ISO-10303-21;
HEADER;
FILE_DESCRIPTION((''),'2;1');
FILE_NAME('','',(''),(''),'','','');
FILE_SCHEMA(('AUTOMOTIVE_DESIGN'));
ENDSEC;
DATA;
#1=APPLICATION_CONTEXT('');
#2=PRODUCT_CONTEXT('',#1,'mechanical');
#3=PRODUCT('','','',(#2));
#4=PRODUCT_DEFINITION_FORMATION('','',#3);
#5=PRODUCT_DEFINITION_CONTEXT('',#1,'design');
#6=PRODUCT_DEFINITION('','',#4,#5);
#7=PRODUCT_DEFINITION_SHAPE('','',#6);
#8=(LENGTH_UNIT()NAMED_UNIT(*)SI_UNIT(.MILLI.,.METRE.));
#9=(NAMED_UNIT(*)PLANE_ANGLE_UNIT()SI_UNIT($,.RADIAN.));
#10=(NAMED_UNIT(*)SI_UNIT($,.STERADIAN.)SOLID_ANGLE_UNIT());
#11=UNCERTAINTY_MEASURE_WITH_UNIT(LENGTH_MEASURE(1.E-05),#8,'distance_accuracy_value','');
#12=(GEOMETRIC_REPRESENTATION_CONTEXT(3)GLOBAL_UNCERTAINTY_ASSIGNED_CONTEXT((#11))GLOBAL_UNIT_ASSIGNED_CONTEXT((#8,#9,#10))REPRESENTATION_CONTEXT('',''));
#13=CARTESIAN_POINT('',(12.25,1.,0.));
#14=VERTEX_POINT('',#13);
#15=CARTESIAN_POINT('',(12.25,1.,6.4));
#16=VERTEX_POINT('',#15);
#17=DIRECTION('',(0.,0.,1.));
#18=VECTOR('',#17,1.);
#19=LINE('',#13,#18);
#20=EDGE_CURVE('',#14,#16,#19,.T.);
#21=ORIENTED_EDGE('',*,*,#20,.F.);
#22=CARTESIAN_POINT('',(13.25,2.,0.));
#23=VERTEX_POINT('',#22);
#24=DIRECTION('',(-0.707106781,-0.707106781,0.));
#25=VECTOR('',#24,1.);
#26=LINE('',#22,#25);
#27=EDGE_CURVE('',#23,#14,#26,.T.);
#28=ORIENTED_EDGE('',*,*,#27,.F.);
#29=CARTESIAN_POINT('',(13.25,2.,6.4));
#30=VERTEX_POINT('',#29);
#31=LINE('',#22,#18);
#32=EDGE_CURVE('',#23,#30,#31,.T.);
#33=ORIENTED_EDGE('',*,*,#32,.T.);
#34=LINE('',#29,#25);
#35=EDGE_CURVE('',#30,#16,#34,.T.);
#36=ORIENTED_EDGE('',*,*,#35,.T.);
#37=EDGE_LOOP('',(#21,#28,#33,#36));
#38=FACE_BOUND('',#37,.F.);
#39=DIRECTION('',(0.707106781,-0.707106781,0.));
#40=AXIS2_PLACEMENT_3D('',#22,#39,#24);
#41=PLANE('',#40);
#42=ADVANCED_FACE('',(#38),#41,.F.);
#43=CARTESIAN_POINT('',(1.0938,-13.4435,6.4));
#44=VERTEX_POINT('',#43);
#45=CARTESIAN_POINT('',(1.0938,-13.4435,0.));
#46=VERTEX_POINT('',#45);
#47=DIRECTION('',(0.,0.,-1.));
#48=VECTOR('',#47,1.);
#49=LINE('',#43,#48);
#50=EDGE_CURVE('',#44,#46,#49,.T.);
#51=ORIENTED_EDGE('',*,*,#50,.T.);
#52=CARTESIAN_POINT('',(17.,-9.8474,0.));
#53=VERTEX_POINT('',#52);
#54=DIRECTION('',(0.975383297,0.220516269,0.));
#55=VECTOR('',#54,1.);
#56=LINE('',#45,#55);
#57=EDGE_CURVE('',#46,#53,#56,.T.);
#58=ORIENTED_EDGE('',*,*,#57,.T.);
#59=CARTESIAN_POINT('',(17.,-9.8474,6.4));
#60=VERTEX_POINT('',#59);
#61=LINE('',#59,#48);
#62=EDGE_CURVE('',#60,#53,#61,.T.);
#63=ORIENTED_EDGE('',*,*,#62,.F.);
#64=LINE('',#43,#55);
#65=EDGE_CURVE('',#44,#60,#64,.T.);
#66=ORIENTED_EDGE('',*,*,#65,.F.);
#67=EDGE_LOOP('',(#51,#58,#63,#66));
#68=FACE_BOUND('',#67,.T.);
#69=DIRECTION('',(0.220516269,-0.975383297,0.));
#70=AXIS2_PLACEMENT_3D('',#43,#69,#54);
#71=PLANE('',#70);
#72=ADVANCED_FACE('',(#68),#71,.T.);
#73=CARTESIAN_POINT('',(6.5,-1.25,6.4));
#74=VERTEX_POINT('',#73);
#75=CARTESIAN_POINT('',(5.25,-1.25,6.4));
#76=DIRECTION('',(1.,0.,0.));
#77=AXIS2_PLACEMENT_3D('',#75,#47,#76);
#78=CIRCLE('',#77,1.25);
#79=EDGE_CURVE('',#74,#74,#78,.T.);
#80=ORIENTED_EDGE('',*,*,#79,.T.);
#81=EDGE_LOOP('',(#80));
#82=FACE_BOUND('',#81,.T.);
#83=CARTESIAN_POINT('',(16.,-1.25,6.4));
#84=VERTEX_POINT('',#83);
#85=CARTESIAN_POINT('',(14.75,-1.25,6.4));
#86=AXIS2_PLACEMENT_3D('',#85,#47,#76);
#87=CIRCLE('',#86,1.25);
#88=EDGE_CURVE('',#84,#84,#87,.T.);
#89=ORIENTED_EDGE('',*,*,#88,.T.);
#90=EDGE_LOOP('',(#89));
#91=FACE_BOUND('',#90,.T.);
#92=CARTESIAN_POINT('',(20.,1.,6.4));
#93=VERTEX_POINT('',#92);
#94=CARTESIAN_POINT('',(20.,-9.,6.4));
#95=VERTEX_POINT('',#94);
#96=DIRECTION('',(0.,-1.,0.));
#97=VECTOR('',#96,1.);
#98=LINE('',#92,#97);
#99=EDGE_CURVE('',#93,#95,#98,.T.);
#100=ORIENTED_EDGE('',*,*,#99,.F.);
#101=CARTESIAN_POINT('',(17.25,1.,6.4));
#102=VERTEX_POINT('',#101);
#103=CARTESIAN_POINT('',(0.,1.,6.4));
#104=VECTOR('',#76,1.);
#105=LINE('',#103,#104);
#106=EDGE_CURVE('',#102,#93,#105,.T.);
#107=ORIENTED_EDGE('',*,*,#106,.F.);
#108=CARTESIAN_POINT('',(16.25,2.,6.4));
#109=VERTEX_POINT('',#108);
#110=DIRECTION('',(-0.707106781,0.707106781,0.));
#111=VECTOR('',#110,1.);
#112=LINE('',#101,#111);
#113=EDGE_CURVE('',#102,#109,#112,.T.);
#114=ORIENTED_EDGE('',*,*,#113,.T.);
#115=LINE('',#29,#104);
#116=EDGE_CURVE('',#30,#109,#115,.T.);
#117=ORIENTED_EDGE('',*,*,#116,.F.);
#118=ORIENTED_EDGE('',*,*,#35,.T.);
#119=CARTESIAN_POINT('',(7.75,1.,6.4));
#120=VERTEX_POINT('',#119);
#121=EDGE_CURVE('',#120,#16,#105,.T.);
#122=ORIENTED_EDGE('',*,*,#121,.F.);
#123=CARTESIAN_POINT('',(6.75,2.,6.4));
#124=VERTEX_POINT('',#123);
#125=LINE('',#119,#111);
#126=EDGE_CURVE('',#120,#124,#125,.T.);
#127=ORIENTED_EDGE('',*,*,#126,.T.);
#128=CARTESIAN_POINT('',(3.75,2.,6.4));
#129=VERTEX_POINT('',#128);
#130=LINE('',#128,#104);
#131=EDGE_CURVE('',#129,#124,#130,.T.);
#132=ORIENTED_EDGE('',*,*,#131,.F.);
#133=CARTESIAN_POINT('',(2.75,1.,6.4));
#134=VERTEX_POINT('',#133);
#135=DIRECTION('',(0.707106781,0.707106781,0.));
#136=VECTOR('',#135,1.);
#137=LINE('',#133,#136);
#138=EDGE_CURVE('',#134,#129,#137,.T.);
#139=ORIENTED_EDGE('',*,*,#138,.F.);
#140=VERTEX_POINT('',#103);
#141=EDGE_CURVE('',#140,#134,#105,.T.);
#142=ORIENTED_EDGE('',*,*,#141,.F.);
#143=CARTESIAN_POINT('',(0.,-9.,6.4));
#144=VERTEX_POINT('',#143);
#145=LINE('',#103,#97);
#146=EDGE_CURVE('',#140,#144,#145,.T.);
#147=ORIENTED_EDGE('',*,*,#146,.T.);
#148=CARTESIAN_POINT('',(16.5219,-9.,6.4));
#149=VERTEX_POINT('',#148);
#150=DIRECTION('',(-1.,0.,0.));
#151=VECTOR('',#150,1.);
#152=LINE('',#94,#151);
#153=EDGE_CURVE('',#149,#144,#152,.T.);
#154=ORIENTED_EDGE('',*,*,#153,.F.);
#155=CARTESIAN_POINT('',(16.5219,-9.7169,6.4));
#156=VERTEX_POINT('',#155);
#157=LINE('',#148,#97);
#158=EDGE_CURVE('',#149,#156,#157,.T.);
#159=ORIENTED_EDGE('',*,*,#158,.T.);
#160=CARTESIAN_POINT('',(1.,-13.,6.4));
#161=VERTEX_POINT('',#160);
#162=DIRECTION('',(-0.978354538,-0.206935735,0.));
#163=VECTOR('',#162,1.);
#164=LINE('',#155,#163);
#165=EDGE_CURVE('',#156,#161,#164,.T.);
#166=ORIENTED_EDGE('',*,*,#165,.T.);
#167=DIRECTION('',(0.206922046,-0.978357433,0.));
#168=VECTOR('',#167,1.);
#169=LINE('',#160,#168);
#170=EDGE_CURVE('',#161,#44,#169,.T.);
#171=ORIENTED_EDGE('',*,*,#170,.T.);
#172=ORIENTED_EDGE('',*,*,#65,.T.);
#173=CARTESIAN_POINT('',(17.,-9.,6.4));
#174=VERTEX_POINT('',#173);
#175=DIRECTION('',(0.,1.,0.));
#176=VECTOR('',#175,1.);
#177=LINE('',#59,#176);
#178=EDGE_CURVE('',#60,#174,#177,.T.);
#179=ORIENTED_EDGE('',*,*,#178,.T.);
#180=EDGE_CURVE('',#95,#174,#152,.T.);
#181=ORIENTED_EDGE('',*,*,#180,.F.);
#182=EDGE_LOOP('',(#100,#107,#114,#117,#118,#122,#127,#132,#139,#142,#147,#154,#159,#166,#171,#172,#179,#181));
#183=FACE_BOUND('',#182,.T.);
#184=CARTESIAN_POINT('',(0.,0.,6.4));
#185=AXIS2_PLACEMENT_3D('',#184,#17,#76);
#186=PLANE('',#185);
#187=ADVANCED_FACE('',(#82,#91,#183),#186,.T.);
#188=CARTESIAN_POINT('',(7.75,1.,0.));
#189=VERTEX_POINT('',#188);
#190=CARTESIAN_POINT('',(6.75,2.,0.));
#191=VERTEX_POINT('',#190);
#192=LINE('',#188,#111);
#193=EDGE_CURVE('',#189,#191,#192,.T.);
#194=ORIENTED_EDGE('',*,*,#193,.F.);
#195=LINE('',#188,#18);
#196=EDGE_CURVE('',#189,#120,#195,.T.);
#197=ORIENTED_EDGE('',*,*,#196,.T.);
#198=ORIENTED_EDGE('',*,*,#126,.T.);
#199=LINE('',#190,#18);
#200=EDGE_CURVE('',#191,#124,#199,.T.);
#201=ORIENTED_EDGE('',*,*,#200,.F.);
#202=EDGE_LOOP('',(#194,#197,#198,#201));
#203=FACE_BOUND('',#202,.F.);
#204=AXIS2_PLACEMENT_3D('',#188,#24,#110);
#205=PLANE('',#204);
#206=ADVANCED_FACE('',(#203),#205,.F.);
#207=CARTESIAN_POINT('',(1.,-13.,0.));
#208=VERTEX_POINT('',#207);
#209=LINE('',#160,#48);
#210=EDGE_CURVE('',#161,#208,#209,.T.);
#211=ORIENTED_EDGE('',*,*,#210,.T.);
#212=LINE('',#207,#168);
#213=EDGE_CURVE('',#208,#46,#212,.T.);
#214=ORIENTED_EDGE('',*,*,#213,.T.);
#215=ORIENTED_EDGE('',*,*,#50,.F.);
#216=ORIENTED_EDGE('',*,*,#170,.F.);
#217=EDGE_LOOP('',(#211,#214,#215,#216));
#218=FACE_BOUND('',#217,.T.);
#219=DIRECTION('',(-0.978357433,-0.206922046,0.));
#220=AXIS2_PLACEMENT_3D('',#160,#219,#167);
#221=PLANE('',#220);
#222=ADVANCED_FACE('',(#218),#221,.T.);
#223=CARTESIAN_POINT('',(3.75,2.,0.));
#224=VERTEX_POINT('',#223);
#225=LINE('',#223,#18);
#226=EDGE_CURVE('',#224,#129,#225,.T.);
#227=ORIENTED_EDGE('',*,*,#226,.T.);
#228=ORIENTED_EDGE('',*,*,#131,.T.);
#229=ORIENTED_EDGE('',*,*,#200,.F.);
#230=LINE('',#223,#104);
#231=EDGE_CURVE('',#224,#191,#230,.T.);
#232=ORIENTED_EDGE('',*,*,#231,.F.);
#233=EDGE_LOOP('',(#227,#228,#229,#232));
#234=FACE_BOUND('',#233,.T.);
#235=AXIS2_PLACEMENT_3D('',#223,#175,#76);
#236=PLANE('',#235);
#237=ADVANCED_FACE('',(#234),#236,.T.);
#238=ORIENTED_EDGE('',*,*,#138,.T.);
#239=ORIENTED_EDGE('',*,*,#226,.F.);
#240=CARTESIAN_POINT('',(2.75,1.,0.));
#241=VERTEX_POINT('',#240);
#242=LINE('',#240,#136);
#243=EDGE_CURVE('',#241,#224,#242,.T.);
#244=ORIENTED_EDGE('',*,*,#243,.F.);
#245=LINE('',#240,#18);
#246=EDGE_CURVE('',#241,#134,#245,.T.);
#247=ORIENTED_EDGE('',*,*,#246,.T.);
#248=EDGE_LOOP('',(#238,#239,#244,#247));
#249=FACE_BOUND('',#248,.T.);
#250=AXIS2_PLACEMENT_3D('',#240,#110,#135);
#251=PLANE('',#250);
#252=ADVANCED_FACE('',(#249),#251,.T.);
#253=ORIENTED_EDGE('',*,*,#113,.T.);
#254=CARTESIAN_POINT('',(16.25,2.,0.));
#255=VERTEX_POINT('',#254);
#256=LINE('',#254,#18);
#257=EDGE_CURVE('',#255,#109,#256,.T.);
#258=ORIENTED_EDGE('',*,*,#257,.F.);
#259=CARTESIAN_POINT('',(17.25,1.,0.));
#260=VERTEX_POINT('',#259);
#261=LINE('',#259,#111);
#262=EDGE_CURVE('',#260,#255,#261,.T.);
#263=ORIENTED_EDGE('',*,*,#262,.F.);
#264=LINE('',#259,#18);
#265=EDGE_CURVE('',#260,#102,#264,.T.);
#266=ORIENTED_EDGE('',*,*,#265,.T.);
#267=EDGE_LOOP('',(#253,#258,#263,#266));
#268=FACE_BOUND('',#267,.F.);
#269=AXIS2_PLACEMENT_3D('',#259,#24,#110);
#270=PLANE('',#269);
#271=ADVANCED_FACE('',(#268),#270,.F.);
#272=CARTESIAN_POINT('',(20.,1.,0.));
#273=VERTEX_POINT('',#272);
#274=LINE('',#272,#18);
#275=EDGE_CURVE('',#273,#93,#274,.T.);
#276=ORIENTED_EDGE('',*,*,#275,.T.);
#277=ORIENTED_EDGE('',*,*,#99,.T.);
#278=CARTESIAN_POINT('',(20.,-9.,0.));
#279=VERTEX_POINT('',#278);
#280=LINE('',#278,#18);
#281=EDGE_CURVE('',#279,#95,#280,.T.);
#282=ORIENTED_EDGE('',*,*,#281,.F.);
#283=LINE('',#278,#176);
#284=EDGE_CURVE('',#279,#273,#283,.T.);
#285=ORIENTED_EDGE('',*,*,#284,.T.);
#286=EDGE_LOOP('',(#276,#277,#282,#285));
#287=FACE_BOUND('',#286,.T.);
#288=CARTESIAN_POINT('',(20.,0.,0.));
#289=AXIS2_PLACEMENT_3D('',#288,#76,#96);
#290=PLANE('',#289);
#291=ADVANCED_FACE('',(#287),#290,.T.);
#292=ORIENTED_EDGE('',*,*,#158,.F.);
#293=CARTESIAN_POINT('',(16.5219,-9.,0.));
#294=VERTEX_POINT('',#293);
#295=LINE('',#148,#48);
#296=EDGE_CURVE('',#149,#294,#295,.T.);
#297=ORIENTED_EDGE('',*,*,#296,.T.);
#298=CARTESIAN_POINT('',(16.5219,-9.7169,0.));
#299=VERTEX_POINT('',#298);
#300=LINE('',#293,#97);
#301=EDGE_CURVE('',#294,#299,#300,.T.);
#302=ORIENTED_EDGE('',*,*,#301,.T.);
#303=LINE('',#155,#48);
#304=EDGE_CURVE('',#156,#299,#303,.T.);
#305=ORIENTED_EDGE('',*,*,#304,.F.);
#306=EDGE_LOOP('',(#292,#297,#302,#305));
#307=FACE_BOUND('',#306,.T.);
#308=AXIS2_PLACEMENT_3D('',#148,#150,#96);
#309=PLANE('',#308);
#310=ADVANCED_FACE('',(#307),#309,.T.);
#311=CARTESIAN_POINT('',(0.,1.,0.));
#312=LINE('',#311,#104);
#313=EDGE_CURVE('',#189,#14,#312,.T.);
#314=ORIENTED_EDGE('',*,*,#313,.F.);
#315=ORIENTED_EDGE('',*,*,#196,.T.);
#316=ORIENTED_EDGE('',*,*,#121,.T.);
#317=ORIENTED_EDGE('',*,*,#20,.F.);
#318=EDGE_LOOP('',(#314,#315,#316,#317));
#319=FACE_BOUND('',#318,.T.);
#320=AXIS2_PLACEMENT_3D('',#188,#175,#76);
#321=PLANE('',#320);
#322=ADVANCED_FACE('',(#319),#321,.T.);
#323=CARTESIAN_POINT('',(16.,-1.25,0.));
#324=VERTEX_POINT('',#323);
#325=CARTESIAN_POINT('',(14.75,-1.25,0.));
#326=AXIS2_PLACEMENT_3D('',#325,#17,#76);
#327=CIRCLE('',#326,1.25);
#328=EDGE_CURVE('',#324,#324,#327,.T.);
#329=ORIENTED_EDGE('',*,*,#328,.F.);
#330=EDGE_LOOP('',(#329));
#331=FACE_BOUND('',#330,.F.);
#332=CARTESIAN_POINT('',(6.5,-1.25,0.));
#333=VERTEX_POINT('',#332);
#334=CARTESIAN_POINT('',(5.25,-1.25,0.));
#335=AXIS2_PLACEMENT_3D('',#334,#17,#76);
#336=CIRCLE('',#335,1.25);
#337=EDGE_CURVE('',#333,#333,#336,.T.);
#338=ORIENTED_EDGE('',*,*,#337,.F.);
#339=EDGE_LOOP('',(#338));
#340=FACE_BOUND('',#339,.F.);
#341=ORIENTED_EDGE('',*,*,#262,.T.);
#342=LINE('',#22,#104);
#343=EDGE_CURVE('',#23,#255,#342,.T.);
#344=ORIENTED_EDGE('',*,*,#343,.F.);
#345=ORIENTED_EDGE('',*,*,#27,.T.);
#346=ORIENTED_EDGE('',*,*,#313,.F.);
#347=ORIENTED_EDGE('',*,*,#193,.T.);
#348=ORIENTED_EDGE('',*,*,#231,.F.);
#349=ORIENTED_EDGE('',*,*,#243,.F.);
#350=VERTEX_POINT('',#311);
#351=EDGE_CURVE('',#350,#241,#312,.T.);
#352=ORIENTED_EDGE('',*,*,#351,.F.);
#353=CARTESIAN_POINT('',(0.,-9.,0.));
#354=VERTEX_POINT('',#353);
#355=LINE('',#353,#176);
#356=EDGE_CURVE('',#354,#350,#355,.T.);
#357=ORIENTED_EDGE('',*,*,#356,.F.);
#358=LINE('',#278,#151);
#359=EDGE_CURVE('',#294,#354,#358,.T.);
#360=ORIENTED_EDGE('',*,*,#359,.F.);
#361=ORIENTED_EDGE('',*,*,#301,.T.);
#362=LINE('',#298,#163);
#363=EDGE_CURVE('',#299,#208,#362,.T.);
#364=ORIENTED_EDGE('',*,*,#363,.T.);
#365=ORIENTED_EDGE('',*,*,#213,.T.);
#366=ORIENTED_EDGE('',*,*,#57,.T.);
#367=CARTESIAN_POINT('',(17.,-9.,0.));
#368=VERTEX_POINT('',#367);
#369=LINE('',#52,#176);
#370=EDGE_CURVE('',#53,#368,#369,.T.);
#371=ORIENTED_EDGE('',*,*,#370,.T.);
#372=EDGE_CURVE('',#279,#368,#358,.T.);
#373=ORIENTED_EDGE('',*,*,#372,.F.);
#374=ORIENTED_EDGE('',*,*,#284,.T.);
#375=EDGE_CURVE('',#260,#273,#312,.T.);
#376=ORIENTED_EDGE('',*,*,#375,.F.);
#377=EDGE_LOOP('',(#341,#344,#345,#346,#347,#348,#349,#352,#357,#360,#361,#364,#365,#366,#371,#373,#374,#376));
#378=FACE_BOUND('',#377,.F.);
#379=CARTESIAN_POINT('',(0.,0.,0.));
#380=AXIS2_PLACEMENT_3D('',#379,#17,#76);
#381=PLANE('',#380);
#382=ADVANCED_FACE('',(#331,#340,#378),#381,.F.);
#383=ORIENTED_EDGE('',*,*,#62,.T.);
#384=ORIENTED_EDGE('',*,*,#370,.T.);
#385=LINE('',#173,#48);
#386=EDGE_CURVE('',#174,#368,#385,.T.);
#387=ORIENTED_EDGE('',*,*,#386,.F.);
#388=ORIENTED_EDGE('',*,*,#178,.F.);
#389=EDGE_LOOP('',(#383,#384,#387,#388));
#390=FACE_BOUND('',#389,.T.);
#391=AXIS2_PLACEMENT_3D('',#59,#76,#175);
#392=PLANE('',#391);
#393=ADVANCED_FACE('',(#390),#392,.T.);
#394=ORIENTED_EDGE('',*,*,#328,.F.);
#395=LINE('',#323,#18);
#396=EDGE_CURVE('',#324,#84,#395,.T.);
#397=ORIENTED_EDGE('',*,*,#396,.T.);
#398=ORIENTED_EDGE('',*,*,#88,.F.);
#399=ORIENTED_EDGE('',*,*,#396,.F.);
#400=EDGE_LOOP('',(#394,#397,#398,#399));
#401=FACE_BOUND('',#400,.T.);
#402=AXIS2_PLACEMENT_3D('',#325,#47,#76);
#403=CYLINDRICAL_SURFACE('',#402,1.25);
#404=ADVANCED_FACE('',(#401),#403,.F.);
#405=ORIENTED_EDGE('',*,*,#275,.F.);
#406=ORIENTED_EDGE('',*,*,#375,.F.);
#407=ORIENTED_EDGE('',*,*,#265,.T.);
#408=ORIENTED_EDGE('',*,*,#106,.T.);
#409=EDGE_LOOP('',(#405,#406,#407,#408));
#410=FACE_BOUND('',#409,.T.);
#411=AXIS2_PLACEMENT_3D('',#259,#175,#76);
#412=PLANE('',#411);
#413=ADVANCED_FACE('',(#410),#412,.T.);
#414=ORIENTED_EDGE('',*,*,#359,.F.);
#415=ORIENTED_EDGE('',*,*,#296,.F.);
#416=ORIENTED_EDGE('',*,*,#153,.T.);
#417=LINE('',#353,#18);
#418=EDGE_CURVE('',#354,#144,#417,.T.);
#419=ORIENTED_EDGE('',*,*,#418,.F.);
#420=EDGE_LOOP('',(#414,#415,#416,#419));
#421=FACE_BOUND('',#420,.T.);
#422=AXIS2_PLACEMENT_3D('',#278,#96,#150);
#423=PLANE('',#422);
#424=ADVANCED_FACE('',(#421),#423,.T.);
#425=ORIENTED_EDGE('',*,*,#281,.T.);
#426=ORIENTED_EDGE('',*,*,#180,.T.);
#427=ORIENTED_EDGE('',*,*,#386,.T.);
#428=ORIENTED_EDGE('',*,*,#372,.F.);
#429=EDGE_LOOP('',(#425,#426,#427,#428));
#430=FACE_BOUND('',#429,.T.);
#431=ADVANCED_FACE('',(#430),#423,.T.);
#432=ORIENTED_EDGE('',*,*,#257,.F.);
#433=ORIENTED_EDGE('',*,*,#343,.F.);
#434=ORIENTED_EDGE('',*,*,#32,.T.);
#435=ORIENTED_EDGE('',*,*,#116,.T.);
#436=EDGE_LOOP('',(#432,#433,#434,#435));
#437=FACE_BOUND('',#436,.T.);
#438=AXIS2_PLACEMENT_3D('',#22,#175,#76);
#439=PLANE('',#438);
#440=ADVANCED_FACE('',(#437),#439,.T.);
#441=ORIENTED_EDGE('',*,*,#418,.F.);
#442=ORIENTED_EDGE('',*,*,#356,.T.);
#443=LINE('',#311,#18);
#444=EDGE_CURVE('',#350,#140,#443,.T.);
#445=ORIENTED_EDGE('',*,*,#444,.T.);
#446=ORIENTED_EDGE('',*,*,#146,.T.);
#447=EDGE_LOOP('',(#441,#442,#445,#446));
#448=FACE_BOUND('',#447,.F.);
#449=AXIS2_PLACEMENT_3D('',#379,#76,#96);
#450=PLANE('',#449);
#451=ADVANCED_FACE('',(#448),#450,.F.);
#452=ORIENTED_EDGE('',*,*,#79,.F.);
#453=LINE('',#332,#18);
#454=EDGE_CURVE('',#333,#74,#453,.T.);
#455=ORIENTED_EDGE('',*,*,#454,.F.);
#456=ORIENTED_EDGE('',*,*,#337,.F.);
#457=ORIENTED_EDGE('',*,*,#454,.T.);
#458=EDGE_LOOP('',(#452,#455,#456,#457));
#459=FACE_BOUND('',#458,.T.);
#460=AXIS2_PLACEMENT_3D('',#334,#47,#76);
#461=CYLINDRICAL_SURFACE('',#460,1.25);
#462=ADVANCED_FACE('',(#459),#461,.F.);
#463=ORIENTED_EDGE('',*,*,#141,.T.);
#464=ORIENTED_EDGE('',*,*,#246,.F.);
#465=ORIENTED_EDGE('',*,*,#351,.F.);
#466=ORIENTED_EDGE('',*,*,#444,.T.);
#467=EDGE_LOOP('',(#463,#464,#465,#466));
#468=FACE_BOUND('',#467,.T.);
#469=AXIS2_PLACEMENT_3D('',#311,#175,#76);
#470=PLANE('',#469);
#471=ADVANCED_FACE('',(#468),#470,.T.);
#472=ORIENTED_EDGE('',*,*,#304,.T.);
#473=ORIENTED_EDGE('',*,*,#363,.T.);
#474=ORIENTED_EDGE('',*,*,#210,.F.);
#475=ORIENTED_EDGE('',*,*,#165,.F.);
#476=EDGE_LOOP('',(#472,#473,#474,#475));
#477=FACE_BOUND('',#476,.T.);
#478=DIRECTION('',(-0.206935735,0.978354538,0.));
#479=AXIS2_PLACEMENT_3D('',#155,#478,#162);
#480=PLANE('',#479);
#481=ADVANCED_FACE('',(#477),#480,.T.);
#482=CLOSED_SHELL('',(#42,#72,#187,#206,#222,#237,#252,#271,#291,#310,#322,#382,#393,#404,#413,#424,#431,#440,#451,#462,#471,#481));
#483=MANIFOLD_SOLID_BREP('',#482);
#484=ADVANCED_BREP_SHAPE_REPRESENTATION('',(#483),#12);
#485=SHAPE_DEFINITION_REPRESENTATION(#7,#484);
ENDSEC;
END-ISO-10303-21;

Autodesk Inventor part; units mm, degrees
ref_plane "YZ Plane" through (0, 0, 0) normal (1, 0, 0) x (0, 1, 0)
ref_plane "XZ Plane" through (0, 0, 0) normal (0, 1, 0) x (-1, 0, 0)
ref_plane "XY Plane" through (0, 0, 0) normal (0, 0, 1) x (1, 0, 0)
sketch "Sketch1" plane through (0, 0, 0) normal (0, 0, 1) x (1, 0, 0)
  line L0 (13.5, -2.5) -> (13.5, 0) projected
  line L1 (12, 0) -> (13.5, 0) projected
  line L2 (12, 0) -> (12, -2) projected
  arc A0 (8, -2) -> (12, -2) centre (10, -2) ccw projected
  line L3 (8, -2) -> (8, 0) projected
  line L4 (6.5, 0) -> (8, 0) projected
  line L5 (6.5, 0) -> (6.5, -2.5) projected
  line L6 (6.5, -2.5) -> (4, -2.5) projected
  line L7 (4, -2.5) -> (4, 0) projected
  line L8 (0, 0) -> (4, 0) projected
  line L9 (0, 0) -> (0, -8) projected
  line L10 (20, -8) -> (0, -8) projected
  line L11 (20, 0) -> (20, -8) projected
  line L12 (16, 0) -> (20, 0) projected
  line L13 (16, 0) -> (16, -2.5) projected
  line L14 (16, -2.5) -> (13.5, -2.5) projected
  circle A1 centre (5.25, -1.25) radius 1.25
  circle A2 centre (14.75, -1.25) radius 1.25
  line L15 (20, 1) -> (20, -9)
  line L16 (20, -9) -> (0, -9)
  line L17 (0, -9) -> (0, 1)
  line L18 (0, 1) -> (20, 1)
  line L19 (17.25, 1) -> (16.25, 2)
  line L20 (13.25, 2) -> (12.25, 1)
  line L21 (7.75, 1) -> (6.75, 2)
  line L22 (2.75, 1) -> (3.75, 2)
  line L23 (3.75, 2) -> (6.75, 2)
  line L24 (13.25, 2) -> (16.25, 2)
  dimension "d0" = 9
  dimension "d3" = 45
  dimension "d4" = 45
  dimension "d5" = 45
  dimension "d6" = 3
  dimension "d7" = 3
  dimension "d8" = 1.5
  dimension "d9" = 2.5
  dimension "d10" = 2.5
  dimension "d11" = 1.5
extrude "Extrusion1" add sketch "Sketch1" along normal blind 6.4 contours L14 L13 L12 L11 L10 L9 L8 L7 L6 L5 L4 L3 A0 L2 L1 L0 | L0 A2 L14 | L0 L1 L2 A0 L3 L4 L5 A1 L7 L8 L17 L18 L15 L12 L13 A2 | A2 L13 L14 | L15 L16 L17 L10 | L18 L20 L24 L19 | L5 L6 A1 | L18 L22 L23 L21 | A1 L6 L7
sketch "Sketch2" plane through (0, 0, 6.4) normal (0, 0, 1) x (1, 0, 0)
  line L0 (0, -9) -> (20, -9) projected
  line L1 (20, 1) -> (17.25, 1) projected
  line L2 (16.5219, -9) -> (16.5219, -9.7169)
  line L3 (16.5219, -9.7169) -> (1, -13)
  line L4 (1, -13) -> (1.0938, -13.4435)
  line L5 (1.0938, -13.4435) -> (17, -9.8474)
  line L6 (17, -9.8474) -> (17, -9)
  point P0 (0, 0)
extrude "Extrusion2" add sketch "Sketch2" against normal blind 6.4
properties material "ABS Plastic"
